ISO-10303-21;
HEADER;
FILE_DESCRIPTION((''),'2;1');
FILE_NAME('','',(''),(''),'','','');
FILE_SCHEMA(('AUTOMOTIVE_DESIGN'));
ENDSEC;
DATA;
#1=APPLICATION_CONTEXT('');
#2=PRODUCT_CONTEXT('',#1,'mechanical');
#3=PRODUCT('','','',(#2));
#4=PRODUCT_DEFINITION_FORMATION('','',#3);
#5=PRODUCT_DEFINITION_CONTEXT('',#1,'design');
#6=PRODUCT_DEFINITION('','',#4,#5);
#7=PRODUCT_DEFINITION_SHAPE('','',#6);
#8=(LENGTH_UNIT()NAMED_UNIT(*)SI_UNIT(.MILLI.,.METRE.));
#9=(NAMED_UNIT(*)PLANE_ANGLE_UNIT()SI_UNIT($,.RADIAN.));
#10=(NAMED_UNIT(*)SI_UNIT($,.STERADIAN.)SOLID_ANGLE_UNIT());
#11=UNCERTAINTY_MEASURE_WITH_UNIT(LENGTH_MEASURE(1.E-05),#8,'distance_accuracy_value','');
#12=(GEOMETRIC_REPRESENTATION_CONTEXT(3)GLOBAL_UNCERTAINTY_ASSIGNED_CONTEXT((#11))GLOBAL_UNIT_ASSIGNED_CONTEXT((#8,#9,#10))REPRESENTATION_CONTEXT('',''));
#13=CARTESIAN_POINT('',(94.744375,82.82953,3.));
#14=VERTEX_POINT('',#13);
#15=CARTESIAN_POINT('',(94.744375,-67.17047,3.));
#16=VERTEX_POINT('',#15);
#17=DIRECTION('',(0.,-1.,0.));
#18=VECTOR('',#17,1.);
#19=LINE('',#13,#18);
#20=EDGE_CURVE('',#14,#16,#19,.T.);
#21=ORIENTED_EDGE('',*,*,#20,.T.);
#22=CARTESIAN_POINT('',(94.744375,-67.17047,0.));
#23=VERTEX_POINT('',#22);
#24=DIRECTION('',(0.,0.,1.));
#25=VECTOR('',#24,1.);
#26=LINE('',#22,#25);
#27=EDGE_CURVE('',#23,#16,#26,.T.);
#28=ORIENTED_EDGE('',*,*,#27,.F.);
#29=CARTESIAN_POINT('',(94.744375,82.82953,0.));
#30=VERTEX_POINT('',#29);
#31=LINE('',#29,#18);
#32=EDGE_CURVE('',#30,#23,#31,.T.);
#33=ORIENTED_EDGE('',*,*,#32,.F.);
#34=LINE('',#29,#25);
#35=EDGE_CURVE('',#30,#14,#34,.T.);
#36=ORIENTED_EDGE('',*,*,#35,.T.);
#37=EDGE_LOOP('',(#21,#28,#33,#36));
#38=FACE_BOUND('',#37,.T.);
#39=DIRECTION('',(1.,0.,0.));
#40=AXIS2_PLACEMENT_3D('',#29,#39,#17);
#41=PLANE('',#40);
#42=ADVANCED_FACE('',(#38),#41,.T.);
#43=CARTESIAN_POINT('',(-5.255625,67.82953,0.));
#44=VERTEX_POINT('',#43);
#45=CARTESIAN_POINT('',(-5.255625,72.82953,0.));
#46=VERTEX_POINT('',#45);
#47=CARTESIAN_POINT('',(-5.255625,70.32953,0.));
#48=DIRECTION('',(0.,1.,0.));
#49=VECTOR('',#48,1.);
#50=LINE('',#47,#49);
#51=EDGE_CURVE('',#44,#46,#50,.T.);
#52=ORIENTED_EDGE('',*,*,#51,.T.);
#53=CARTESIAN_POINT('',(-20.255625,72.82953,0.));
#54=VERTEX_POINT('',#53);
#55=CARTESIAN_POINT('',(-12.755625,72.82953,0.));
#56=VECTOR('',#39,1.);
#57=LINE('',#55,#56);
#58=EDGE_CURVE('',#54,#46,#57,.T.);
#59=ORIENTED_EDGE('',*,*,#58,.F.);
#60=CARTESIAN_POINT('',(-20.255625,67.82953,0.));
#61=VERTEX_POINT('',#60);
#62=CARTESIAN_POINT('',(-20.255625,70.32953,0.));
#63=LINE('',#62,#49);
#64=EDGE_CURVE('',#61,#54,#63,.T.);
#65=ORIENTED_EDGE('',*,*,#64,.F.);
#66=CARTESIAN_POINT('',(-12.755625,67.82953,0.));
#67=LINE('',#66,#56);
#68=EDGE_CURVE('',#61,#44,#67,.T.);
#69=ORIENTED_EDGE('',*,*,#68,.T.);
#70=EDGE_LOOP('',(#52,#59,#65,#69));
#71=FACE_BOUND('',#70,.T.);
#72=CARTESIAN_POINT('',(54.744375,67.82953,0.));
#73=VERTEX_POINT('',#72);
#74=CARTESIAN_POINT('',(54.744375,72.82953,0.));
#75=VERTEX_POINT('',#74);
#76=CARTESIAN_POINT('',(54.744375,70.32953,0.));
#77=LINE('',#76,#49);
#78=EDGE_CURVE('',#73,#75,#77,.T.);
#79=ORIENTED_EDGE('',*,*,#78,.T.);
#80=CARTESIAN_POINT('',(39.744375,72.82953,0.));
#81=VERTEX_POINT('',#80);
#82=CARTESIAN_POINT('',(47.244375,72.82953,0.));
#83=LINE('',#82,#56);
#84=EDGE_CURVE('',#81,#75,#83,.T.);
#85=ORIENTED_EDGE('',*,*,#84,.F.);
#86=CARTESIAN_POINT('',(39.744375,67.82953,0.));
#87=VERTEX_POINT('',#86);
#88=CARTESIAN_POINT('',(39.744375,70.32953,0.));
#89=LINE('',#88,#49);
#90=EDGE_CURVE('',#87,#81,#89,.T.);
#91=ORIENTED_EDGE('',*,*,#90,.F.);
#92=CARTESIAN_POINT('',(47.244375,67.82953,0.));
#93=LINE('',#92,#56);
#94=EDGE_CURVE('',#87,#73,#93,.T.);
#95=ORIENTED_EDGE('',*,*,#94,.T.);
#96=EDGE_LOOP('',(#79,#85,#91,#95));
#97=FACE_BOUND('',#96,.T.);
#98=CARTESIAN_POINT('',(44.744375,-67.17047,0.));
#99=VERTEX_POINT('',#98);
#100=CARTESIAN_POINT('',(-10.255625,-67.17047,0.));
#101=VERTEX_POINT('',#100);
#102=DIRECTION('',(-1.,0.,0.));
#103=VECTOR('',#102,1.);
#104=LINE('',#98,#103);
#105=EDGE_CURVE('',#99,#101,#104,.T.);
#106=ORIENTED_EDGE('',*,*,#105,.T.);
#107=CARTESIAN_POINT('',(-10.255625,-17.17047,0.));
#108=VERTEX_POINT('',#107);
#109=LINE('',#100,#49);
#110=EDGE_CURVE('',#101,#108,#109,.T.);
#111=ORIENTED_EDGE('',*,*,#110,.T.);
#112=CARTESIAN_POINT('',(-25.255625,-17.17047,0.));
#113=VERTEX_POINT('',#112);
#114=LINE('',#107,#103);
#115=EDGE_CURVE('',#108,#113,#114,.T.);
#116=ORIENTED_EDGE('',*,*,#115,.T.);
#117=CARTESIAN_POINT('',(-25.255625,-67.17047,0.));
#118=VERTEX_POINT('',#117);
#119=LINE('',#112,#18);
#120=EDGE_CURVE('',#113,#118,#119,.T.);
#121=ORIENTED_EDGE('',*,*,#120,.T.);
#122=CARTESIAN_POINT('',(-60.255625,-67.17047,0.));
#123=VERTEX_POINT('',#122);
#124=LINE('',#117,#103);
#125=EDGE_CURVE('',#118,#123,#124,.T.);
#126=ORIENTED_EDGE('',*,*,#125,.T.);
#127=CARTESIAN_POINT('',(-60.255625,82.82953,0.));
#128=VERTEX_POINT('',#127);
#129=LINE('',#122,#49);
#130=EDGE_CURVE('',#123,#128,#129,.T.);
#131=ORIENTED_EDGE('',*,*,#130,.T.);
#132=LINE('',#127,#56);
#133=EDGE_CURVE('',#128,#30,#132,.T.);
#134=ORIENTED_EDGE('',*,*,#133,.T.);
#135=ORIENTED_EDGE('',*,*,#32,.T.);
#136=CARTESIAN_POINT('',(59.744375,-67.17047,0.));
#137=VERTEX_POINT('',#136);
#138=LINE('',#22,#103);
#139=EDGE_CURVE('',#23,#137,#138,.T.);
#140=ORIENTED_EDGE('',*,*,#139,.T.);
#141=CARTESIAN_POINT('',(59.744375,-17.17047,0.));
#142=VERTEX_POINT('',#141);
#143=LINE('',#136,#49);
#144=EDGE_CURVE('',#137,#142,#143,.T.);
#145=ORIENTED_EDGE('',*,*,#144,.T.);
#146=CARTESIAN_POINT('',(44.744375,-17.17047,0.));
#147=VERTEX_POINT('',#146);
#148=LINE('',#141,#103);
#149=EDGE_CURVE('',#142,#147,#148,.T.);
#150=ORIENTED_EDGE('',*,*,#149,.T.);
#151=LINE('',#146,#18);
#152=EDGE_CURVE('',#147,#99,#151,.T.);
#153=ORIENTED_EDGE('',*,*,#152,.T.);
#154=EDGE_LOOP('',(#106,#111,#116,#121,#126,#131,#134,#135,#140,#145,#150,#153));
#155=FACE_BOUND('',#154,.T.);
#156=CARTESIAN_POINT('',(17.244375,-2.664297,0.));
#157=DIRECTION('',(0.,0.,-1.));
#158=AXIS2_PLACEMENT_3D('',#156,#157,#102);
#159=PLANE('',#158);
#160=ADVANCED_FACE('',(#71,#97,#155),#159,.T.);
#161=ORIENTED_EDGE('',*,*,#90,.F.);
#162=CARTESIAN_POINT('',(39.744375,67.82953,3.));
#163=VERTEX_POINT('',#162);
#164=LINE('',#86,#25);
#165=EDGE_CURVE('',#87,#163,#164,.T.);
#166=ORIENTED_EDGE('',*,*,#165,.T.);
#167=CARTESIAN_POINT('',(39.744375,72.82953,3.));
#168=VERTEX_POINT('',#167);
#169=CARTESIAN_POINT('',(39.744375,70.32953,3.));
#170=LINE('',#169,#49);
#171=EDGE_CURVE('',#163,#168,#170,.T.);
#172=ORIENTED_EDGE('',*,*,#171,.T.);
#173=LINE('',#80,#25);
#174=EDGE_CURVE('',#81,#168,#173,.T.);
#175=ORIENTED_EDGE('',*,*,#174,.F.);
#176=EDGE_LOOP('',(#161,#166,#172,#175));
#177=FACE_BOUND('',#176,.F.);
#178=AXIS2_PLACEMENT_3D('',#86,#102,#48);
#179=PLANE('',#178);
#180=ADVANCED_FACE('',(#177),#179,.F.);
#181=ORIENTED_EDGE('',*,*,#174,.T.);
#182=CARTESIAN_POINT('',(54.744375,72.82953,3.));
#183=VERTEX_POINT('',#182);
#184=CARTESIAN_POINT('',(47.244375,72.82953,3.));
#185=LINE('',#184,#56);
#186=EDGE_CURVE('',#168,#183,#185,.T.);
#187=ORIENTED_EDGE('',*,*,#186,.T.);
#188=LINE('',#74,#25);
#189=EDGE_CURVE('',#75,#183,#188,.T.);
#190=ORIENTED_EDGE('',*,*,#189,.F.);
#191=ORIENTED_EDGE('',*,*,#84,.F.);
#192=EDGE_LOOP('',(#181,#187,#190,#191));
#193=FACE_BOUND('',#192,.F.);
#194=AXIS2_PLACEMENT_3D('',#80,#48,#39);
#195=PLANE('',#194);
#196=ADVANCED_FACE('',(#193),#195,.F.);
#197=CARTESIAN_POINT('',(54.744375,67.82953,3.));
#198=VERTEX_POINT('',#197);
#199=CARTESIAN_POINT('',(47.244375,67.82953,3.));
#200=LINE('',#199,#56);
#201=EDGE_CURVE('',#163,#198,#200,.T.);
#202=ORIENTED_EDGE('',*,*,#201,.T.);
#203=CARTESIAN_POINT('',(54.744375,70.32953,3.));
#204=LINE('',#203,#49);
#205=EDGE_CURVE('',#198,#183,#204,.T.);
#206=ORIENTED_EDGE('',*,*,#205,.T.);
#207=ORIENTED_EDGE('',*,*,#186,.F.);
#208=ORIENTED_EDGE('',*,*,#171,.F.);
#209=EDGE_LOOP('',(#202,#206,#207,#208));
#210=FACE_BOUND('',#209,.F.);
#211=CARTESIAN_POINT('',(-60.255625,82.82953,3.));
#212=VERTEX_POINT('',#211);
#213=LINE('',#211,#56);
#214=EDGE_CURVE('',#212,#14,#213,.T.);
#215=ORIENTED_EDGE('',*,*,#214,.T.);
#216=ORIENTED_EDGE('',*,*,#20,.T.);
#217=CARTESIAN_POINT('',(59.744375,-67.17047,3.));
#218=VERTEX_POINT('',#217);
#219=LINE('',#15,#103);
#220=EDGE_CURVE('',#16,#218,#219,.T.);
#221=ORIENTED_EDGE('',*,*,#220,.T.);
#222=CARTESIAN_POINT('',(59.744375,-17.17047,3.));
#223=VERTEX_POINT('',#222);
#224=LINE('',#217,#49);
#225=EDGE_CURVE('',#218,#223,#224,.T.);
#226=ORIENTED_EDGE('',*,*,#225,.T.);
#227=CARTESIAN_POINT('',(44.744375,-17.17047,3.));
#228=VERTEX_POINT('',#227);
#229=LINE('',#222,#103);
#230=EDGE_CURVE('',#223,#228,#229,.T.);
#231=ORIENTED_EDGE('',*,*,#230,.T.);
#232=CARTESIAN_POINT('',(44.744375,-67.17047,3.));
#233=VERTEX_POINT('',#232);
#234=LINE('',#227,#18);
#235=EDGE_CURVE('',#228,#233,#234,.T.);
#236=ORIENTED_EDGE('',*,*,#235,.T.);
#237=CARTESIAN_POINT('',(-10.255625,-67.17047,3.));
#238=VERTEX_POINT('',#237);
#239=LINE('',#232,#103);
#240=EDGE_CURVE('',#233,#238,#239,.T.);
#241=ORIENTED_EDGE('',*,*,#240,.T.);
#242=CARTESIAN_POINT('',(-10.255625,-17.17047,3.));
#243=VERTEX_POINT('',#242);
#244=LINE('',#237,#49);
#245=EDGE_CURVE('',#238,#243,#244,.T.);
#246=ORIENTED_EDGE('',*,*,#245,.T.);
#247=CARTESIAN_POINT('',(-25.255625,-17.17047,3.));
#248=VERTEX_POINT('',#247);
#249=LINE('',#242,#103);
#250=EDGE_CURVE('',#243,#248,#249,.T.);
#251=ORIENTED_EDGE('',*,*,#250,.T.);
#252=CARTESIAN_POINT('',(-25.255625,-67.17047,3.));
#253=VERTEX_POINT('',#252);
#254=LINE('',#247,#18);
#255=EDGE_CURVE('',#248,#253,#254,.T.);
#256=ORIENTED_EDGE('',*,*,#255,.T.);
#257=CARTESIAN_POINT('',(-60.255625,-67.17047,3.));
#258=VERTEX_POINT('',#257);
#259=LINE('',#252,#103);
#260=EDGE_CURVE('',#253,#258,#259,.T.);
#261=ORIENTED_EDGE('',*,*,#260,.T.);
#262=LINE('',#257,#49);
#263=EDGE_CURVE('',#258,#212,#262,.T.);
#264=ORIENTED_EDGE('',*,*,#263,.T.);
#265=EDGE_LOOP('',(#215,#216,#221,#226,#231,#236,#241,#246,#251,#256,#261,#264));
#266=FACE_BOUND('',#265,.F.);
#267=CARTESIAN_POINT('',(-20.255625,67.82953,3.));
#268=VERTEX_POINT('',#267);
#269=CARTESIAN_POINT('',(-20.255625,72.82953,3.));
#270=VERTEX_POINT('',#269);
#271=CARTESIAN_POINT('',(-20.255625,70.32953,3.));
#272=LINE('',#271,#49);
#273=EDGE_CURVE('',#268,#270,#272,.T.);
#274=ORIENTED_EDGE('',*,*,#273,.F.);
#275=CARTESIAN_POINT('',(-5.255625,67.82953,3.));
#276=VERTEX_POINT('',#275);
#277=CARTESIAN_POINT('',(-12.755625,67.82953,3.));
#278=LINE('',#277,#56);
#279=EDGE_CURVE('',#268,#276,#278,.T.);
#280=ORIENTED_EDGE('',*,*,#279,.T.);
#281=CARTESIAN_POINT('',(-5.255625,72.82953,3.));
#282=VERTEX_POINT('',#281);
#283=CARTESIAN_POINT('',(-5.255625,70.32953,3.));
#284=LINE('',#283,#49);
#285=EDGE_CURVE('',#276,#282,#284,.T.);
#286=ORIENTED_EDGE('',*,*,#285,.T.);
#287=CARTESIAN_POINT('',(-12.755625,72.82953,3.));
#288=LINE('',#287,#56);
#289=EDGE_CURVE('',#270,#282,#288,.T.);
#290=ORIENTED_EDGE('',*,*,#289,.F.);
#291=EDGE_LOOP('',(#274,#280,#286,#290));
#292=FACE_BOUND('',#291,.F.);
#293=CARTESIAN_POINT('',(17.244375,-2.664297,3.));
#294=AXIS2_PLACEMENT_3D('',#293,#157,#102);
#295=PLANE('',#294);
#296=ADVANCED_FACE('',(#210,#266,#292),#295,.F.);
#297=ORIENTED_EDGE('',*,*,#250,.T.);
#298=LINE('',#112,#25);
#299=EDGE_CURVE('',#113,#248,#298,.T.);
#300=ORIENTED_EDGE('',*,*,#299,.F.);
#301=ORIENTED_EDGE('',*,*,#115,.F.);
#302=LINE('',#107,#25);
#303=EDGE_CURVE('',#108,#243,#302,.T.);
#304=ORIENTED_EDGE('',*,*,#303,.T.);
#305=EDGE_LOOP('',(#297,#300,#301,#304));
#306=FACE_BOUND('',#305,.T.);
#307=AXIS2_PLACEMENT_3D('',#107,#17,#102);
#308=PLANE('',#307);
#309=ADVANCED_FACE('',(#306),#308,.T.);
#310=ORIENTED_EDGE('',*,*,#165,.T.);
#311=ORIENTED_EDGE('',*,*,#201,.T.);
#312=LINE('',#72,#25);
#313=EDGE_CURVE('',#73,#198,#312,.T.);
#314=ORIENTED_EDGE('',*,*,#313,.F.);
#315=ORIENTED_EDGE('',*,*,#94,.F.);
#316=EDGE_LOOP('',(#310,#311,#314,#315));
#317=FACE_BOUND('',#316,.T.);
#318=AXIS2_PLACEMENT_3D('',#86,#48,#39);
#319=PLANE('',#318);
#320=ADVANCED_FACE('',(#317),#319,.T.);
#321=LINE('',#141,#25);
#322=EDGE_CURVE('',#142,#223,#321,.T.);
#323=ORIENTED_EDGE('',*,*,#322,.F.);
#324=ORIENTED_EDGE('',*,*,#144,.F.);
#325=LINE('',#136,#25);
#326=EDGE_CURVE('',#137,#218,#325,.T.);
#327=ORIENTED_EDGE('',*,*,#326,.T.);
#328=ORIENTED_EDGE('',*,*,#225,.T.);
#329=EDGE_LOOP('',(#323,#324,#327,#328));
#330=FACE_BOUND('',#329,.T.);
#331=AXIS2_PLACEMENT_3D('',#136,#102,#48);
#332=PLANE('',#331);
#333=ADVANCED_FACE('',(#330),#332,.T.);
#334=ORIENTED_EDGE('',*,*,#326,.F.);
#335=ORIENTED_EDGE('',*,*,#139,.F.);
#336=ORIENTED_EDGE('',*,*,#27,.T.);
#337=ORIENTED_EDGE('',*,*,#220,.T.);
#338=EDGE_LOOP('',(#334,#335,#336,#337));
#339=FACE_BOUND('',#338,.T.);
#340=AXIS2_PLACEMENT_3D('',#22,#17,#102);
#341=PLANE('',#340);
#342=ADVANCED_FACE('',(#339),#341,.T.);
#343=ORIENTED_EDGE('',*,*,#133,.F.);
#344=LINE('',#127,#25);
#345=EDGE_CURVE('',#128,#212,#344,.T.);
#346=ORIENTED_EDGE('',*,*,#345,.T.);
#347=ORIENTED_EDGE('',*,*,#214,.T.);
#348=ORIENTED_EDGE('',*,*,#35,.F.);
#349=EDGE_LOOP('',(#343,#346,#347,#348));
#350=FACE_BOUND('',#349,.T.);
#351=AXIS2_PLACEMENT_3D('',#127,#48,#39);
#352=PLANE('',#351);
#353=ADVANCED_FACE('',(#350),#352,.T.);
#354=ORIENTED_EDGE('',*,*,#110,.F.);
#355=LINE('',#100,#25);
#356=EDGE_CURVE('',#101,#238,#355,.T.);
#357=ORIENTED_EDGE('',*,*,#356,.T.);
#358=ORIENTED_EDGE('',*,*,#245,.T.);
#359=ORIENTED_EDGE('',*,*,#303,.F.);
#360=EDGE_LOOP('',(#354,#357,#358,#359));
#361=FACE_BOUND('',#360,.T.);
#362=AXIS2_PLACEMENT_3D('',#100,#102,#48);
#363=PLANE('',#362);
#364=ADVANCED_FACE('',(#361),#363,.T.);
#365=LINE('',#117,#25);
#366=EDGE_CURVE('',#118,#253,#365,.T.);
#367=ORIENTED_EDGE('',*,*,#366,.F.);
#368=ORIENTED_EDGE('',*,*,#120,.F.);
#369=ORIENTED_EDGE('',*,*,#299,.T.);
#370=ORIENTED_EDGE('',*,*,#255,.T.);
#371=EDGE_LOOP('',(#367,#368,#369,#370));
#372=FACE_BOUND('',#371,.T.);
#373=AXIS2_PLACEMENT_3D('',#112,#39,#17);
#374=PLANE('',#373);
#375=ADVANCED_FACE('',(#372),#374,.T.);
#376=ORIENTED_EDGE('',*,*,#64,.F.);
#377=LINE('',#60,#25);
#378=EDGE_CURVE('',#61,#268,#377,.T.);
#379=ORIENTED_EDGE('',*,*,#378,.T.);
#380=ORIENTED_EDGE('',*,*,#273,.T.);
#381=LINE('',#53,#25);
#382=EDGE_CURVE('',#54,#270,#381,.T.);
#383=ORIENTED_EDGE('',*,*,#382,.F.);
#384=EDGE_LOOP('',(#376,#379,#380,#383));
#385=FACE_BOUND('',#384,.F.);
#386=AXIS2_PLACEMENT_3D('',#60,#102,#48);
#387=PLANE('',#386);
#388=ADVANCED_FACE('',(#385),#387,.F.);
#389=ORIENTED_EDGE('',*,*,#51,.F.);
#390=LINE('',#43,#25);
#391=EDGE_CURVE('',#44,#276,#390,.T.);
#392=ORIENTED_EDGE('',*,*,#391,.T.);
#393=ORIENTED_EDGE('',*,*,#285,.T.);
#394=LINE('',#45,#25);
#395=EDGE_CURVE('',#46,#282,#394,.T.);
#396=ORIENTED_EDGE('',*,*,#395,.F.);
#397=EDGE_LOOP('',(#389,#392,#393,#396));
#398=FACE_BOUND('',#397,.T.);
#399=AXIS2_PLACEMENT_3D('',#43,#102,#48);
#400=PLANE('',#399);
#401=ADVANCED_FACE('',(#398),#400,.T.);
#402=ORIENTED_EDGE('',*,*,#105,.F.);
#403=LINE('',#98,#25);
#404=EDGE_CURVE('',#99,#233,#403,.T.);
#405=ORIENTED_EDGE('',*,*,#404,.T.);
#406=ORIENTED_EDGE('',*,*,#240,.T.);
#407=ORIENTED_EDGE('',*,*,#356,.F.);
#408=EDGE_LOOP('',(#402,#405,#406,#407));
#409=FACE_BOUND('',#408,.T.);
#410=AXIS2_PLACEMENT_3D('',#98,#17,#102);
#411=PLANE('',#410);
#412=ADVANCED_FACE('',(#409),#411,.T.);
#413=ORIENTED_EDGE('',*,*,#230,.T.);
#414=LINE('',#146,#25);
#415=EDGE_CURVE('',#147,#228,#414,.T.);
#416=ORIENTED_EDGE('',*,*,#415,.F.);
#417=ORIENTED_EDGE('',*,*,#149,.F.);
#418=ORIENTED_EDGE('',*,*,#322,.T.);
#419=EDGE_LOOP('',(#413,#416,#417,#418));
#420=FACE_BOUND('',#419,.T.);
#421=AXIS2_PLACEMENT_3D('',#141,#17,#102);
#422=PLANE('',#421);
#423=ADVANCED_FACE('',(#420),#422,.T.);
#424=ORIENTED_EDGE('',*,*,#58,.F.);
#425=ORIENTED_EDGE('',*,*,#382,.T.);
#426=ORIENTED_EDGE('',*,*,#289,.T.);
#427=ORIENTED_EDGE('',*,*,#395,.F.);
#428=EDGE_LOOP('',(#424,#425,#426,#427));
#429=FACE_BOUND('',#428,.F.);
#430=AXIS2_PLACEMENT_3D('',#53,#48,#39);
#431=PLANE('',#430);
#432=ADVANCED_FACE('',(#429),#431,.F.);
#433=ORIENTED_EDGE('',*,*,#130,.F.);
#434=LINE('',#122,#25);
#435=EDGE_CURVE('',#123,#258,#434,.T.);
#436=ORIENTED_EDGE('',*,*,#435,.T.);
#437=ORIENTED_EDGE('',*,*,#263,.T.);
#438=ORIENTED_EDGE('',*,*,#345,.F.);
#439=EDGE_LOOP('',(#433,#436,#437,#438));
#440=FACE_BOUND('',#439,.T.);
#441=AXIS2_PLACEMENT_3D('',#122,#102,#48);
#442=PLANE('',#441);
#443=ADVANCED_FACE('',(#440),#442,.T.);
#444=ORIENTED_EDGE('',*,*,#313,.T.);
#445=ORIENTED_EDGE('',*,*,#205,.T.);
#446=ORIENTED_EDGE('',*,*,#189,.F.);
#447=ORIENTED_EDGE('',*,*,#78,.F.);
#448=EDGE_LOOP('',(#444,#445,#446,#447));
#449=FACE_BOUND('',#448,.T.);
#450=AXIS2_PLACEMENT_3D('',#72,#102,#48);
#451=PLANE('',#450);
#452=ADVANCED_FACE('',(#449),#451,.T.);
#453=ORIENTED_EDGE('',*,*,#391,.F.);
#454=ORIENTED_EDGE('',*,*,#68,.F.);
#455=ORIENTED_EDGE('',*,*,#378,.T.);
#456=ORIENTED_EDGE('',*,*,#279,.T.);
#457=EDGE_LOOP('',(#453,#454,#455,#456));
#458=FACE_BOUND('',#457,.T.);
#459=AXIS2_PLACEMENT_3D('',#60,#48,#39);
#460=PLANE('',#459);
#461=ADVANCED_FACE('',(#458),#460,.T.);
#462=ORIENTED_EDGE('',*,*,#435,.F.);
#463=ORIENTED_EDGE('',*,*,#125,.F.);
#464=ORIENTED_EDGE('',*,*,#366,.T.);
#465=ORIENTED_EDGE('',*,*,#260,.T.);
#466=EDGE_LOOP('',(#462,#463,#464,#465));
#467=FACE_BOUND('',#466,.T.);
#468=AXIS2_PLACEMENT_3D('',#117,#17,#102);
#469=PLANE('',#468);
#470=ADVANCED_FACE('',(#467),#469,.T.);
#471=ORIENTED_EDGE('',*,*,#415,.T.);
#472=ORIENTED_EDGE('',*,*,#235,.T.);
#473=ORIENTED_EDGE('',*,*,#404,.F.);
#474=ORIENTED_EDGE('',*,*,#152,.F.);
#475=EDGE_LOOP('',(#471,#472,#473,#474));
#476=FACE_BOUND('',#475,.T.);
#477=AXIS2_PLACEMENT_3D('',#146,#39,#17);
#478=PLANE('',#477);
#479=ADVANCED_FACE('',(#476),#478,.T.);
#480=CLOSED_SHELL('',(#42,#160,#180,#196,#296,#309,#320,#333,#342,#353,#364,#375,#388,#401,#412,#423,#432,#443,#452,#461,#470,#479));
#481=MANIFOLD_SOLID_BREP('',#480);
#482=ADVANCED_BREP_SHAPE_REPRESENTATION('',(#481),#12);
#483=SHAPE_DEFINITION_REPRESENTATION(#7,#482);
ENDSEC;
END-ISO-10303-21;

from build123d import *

# Parameters (mm, degrees)
SKETCH_W  = 15
SKETCH_H  = 5
PAD_DEPTH = 3


with BuildPart() as part:
    # Sketch → Pad (new body)
    with BuildSketch(Plane.XY):
        Polygon((-60.255625, 82.82953), (94.744375, 82.82953), (94.744375, -67.17047), (59.744375, -67.17047), (59.744375, -17.17047), (44.744375, -17.17047), (44.744375, -67.17047), (-10.255625, -67.17047), (-10.255625, -17.17047), (-25.255625, -17.17047), (-25.255625, -67.17047), (-60.255625, -67.17047), align=None)
        with Locations((-12.755625, 70.32953)):
            Rectangle(SKETCH_W, SKETCH_H, mode=Mode.SUBTRACT)
        with Locations((47.244375, 70.32953)):
            Rectangle(SKETCH_W, SKETCH_H, mode=Mode.SUBTRACT)
    extrude(amount=PAD_DEPTH)


solid = part.part
